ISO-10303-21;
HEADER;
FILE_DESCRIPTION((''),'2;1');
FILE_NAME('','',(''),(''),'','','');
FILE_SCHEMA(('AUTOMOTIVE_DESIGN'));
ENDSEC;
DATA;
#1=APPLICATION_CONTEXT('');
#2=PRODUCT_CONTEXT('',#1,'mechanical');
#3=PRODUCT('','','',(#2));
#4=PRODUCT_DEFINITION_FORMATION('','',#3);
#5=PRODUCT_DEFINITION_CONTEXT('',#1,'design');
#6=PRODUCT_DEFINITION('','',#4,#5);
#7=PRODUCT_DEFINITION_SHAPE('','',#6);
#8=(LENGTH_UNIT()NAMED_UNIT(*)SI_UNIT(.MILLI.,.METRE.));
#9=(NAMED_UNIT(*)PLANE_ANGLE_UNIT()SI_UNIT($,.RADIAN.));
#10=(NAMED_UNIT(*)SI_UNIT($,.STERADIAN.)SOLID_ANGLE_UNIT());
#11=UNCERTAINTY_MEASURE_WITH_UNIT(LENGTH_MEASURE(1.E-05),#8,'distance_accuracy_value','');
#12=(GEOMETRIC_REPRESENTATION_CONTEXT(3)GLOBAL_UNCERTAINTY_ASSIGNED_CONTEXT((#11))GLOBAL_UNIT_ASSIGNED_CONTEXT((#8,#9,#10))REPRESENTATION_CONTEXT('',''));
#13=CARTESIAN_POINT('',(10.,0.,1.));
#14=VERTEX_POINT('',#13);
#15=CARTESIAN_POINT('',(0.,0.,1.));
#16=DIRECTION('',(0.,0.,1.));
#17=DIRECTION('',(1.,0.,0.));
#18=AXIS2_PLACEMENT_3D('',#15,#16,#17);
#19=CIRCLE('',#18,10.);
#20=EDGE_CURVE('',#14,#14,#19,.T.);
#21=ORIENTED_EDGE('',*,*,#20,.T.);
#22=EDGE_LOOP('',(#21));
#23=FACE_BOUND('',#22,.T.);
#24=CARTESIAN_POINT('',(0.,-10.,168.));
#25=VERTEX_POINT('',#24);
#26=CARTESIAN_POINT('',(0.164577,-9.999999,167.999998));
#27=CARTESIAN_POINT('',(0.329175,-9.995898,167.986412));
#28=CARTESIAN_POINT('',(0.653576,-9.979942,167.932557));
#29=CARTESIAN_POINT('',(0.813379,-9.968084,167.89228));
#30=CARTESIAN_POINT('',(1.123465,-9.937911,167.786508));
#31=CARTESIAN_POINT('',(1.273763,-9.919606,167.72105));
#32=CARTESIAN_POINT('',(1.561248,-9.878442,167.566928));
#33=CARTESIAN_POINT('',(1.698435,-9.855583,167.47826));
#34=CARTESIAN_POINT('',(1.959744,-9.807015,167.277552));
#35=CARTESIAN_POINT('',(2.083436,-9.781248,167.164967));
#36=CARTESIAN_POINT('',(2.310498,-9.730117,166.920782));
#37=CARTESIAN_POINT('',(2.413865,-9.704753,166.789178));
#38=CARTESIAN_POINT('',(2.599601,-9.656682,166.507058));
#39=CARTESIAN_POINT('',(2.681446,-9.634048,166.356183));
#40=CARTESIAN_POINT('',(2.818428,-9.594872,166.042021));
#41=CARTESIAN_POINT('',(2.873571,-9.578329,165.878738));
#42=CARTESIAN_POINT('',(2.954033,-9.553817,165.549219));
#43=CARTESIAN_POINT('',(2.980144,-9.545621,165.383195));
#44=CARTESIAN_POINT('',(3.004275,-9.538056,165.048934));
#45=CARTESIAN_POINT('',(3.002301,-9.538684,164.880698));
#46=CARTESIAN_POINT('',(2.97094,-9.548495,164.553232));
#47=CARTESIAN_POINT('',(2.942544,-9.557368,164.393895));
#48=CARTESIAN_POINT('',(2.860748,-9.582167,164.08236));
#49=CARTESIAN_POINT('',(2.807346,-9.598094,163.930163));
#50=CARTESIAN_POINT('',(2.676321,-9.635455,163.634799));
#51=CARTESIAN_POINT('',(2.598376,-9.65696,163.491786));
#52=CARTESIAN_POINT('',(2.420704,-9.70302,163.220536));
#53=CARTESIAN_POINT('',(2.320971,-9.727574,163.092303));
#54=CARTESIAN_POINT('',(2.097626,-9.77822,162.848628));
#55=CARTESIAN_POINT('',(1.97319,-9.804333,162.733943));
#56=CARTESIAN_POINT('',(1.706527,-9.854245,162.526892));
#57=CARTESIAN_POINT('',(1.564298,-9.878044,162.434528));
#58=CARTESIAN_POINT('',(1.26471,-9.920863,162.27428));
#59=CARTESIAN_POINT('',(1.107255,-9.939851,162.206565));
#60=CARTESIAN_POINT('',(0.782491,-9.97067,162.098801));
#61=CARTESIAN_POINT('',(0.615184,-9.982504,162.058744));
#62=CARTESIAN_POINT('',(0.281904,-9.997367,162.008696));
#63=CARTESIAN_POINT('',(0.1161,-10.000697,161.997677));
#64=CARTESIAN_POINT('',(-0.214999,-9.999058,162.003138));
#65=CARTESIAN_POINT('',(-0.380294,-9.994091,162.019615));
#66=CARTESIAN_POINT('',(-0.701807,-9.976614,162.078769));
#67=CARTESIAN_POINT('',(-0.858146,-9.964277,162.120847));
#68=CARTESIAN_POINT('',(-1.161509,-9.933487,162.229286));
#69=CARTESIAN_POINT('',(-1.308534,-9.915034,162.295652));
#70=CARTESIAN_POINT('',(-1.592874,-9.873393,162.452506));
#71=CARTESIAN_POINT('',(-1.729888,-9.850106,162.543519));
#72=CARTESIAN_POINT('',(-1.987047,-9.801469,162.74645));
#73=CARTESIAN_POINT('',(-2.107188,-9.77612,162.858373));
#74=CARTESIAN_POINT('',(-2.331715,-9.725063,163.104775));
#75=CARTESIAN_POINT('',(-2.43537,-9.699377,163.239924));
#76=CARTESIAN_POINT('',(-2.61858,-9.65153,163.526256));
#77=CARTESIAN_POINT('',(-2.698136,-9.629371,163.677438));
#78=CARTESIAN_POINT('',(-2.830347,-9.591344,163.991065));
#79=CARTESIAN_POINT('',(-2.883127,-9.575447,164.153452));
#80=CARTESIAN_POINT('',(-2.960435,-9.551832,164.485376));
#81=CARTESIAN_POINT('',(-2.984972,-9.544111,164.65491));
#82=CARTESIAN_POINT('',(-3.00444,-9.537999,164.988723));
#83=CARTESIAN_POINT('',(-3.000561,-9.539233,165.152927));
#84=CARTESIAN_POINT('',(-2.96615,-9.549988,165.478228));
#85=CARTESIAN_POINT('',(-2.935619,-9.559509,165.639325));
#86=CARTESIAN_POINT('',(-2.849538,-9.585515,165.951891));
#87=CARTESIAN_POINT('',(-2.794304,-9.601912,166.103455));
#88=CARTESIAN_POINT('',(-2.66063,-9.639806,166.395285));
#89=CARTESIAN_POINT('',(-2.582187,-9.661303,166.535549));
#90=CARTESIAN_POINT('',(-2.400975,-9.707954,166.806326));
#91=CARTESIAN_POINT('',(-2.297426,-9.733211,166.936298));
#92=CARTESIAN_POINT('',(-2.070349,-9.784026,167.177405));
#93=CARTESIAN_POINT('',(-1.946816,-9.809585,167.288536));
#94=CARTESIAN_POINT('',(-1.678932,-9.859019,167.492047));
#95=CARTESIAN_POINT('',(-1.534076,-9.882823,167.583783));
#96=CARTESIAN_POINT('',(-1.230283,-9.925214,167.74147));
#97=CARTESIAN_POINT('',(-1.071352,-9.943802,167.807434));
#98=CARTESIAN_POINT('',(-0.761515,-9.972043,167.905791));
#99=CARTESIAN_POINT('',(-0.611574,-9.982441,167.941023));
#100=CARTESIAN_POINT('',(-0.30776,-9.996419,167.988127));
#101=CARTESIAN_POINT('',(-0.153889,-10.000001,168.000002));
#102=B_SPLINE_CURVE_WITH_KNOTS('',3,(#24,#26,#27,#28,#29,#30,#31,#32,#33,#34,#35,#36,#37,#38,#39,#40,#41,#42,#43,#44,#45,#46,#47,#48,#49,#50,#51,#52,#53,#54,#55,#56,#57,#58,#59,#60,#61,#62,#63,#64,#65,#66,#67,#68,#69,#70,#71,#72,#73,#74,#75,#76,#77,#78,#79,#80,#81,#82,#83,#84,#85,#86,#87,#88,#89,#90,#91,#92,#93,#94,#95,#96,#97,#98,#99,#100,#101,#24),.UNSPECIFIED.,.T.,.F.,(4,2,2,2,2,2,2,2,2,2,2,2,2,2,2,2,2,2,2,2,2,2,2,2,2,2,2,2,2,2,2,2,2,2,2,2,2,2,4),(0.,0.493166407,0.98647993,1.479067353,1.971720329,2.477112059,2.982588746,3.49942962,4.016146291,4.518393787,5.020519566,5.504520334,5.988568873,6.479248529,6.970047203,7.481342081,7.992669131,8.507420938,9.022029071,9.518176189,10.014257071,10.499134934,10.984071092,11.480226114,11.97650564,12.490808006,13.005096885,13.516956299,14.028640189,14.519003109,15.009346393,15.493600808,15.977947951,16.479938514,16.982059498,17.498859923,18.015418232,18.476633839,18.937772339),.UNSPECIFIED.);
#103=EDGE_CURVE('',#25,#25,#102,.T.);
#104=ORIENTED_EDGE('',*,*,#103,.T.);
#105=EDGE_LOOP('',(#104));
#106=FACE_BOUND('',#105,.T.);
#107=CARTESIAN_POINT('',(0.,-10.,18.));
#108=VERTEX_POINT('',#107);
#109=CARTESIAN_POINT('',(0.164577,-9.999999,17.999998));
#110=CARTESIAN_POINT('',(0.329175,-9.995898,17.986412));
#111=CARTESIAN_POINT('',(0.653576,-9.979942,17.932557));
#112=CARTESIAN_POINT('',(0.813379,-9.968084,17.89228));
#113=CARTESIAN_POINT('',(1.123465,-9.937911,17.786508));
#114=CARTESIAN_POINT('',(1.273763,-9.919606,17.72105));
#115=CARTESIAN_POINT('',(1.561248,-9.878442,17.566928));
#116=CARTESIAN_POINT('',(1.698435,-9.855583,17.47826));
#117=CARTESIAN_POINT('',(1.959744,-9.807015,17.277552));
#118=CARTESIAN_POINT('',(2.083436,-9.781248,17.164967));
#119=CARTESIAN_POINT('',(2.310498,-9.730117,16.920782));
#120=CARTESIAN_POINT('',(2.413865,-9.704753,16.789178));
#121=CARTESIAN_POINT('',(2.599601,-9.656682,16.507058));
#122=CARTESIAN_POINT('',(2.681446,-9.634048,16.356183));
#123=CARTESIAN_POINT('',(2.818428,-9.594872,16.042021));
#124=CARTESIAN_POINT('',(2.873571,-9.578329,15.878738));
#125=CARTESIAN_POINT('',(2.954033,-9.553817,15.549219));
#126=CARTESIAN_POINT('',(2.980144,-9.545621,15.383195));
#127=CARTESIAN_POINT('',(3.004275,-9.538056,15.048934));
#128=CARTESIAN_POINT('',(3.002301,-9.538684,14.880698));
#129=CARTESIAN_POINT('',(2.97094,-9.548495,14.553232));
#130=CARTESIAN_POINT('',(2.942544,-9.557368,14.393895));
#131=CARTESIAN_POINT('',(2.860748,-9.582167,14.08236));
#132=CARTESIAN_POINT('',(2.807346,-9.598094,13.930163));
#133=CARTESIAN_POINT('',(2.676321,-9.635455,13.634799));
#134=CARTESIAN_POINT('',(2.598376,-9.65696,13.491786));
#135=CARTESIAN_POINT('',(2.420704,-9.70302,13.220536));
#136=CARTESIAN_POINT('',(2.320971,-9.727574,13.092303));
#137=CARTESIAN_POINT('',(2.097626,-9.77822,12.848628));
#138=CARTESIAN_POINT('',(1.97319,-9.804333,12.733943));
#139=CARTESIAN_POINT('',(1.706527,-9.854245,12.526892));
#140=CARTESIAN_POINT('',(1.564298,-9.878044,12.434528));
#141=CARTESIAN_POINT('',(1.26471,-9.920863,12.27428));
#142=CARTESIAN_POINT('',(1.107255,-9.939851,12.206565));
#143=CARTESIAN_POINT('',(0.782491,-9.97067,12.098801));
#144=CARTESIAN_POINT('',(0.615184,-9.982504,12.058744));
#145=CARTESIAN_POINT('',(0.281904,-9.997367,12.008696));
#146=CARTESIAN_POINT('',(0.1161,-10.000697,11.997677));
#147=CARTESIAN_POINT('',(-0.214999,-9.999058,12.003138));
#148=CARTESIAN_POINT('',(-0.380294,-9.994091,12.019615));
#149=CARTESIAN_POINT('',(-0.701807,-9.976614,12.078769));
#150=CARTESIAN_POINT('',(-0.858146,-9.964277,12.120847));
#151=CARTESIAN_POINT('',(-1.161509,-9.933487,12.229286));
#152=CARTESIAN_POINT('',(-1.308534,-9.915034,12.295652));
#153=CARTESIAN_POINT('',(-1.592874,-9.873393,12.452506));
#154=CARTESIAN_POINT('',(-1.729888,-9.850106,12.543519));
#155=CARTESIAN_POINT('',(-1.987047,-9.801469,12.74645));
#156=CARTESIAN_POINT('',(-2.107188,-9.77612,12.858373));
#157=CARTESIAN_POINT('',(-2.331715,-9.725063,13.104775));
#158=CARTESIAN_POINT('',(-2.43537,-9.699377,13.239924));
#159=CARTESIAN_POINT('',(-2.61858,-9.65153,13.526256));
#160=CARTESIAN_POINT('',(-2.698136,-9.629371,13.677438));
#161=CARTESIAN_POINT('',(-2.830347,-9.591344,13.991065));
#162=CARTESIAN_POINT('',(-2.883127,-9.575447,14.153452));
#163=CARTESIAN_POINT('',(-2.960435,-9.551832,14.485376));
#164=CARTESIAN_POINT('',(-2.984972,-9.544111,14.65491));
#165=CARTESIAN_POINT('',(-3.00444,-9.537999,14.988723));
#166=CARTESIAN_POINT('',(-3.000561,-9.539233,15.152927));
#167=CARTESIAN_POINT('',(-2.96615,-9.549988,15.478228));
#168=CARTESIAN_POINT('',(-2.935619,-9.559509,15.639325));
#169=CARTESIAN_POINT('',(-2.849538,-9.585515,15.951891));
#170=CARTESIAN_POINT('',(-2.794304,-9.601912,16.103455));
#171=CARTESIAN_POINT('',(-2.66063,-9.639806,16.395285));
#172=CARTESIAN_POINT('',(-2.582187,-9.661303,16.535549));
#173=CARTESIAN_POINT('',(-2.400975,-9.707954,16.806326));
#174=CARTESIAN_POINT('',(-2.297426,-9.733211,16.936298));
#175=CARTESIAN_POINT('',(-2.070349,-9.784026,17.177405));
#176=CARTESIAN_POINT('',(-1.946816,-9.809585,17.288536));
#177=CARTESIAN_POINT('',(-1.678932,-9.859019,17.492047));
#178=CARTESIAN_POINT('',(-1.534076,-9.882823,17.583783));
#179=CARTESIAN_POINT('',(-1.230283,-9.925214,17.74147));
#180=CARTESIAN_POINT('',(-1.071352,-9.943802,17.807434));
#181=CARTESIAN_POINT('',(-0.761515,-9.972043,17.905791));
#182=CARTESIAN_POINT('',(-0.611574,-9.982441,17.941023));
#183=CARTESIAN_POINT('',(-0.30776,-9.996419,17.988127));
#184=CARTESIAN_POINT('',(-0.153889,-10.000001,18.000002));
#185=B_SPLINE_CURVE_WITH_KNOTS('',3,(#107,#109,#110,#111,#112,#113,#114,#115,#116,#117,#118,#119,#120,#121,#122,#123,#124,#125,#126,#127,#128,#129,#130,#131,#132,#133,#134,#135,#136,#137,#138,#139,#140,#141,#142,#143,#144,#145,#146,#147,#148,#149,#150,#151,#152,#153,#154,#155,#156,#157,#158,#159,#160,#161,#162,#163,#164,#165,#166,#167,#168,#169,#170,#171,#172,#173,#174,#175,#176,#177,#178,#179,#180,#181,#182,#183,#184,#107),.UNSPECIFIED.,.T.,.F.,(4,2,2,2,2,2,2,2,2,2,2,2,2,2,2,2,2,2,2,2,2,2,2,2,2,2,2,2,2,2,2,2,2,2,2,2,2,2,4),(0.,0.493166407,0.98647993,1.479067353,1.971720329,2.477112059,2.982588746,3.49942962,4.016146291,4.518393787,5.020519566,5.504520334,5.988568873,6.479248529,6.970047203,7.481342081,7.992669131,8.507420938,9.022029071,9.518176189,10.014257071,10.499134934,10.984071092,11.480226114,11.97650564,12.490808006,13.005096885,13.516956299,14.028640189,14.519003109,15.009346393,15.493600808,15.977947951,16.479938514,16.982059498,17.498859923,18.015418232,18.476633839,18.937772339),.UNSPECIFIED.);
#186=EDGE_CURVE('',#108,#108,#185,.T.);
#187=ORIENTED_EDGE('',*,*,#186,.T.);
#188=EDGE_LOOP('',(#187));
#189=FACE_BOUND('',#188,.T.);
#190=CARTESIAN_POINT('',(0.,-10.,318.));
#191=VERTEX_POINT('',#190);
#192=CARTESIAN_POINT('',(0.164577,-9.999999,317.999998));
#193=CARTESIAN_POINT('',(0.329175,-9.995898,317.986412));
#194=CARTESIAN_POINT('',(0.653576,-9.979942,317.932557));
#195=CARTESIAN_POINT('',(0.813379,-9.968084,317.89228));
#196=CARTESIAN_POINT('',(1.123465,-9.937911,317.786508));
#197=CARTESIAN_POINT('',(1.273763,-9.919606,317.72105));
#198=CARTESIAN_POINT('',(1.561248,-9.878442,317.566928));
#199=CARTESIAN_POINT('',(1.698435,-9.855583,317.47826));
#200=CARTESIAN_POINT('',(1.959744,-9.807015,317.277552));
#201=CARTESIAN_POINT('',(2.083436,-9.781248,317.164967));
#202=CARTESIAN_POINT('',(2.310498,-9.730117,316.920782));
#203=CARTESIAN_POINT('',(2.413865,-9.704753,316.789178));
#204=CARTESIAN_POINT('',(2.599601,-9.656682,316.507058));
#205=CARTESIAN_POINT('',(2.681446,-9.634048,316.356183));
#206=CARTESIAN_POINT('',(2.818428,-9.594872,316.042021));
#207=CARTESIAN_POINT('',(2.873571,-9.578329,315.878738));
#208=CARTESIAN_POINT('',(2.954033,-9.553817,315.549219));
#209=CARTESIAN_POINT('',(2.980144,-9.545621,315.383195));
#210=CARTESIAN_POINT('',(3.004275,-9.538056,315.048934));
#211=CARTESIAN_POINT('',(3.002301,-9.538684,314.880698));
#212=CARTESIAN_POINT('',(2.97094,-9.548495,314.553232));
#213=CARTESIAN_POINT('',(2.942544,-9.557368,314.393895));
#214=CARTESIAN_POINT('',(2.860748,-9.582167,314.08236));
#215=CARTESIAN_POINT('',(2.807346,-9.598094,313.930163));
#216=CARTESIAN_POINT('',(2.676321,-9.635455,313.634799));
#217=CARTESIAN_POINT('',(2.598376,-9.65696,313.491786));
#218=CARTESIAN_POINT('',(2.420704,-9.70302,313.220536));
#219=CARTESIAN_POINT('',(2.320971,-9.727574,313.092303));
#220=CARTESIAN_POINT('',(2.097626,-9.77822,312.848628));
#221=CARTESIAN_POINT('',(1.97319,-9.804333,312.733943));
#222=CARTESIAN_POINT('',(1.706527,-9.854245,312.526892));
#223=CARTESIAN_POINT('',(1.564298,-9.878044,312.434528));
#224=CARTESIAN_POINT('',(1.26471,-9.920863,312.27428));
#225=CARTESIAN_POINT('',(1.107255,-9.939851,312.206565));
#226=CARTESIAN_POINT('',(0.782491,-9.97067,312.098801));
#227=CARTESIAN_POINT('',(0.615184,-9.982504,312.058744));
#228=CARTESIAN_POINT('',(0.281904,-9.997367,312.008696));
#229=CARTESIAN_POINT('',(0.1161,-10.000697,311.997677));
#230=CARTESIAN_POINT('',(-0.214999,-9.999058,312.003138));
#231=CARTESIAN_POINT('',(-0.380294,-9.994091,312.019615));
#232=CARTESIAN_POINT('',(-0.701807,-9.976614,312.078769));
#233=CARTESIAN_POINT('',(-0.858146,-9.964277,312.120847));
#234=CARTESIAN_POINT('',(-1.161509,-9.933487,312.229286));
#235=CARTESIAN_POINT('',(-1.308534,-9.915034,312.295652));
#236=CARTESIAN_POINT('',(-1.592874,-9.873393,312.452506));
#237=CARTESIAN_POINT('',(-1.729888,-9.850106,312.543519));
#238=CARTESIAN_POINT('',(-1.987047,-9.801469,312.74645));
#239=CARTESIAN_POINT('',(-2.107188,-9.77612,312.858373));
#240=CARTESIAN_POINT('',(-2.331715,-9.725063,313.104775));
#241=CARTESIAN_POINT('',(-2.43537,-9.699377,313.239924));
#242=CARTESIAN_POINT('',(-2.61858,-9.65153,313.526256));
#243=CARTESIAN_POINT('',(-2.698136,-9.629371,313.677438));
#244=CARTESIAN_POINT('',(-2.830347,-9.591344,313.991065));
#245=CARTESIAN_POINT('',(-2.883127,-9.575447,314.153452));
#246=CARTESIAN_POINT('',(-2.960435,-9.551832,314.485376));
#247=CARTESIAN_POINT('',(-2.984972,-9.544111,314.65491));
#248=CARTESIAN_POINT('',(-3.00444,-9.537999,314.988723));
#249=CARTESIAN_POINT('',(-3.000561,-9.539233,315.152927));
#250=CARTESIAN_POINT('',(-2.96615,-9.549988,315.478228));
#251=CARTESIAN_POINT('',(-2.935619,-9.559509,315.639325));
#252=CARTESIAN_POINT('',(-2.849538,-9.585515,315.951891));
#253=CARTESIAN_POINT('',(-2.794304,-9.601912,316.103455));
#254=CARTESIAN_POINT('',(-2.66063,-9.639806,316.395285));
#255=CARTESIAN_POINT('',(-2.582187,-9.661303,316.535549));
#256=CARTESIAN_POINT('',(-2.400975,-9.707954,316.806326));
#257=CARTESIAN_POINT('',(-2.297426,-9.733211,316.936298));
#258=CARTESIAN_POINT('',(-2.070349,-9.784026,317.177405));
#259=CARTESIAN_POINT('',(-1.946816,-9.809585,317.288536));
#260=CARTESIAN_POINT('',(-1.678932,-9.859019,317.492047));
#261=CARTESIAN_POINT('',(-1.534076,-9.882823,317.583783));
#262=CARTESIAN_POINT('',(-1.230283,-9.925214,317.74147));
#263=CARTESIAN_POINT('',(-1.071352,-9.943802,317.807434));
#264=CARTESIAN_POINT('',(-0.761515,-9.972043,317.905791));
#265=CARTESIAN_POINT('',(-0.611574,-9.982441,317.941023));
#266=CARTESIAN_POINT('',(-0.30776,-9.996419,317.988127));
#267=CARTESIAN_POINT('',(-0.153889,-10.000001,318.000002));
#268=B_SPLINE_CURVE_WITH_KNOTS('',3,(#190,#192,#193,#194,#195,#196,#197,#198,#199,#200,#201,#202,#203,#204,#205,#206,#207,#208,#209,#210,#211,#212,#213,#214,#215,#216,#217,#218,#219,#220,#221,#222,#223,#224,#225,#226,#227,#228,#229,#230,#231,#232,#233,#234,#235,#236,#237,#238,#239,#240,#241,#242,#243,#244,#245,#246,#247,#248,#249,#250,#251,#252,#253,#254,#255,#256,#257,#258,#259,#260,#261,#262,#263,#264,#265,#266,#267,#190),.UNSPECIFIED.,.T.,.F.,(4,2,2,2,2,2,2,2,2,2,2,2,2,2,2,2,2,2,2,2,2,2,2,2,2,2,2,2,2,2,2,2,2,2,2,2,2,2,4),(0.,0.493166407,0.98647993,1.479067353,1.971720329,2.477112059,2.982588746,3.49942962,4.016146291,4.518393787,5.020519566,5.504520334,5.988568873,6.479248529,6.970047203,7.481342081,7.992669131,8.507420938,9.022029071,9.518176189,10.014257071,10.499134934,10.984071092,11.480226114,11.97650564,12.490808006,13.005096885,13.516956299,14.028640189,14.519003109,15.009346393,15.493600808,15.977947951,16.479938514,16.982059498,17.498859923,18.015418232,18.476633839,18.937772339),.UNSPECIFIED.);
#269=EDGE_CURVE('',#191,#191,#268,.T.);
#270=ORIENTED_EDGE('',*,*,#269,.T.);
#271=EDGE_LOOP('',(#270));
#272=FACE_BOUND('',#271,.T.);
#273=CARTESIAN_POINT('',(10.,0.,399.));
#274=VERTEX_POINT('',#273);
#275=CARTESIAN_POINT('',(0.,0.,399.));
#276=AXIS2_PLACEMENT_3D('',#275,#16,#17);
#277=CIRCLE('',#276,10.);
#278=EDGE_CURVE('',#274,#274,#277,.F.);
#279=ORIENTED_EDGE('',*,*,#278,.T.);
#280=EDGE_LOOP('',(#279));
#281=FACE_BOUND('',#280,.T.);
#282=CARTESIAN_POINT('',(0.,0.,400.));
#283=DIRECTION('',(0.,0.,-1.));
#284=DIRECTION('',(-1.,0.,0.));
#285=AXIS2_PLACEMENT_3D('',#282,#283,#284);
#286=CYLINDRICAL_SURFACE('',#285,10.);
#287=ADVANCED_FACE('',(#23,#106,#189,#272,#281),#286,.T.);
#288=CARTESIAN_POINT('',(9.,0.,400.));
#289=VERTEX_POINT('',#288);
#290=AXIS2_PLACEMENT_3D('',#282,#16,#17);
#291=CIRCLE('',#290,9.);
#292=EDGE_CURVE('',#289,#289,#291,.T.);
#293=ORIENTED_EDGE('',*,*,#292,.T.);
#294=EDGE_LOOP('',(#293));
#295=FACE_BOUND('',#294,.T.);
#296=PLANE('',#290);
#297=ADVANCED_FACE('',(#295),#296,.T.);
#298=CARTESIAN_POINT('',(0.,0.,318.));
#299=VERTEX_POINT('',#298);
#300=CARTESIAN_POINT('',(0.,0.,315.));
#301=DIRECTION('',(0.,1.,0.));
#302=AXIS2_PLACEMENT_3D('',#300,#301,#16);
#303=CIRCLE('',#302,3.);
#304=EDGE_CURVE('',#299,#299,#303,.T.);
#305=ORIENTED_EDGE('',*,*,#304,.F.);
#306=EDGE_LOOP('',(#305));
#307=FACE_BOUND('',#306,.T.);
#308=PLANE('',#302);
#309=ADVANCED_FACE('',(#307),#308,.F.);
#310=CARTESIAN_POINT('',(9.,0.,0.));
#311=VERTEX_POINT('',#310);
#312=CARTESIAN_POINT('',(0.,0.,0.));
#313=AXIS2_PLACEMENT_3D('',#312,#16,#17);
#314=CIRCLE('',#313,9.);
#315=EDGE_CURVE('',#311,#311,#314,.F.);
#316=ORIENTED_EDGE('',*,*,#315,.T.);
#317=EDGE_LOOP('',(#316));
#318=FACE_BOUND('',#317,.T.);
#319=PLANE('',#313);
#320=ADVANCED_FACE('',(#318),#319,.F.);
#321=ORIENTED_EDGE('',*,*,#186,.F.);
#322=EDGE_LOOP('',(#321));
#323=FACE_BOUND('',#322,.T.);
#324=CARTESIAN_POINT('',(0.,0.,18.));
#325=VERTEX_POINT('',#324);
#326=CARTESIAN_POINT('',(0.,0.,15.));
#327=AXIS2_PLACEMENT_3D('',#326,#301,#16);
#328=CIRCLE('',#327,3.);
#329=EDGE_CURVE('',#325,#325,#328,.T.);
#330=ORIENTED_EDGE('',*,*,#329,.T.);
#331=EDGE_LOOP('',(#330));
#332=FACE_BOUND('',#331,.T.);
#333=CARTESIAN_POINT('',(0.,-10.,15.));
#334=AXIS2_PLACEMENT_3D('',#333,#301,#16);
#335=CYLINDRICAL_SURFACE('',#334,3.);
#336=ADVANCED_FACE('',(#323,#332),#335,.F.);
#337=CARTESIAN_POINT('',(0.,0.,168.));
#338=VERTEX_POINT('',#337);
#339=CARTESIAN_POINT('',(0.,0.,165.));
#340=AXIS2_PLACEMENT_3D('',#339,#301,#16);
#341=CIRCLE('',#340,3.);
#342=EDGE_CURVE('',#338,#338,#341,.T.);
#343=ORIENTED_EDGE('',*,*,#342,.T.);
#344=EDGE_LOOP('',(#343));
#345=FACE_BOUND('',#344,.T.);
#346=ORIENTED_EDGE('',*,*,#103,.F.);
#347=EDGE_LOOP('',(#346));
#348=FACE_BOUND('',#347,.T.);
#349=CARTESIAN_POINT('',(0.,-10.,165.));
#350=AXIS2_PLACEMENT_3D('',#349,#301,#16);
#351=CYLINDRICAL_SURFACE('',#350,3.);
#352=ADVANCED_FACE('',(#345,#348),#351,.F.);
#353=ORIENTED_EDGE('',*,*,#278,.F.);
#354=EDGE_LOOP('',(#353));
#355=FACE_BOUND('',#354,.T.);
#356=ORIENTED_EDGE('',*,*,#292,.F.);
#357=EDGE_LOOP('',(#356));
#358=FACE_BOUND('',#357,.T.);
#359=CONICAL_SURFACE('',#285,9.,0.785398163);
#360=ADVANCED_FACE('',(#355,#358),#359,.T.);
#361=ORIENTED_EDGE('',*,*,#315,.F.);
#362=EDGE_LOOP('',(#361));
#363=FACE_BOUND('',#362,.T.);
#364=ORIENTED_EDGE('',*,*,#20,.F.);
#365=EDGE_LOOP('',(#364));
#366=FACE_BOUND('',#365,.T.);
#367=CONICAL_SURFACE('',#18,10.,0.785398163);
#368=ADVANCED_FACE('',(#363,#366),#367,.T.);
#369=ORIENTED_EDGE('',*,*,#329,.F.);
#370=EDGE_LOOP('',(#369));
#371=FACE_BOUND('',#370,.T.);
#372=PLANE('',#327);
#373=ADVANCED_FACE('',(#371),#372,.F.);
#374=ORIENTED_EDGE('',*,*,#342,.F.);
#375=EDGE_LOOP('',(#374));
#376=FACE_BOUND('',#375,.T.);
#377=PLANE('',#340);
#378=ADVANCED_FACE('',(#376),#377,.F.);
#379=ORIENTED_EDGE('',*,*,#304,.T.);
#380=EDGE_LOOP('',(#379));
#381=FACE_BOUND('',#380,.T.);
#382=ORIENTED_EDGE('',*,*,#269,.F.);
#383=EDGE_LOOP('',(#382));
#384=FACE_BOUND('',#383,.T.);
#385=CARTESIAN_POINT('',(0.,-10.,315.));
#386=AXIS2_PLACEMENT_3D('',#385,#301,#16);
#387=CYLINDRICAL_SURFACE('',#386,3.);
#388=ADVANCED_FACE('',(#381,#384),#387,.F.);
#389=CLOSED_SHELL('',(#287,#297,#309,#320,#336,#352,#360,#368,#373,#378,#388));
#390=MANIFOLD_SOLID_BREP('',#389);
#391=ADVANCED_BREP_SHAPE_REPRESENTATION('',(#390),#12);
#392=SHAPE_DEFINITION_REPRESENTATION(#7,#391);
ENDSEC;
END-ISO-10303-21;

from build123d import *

# Parameters (mm, degrees)
SKETCH1_R           = 10
BOSS_EXTRUDE1_DEPTH = 400
CHAMFER1_SIZE       = 1
SKETCH2_R           = 3
CUT_EXTRUDE1_DEPTH  = 10
LPATTERN1_COUNT     = 3
LPATTERN1_PITCH     = 150


with BuildPart() as part:
    # Sketch1 → Boss-Extrude1 (new body)
    with BuildSketch(Plane.XY):
        Circle(SKETCH1_R)
    extrude(amount=BOSS_EXTRUDE1_DEPTH)

    # Chamfer1
    chamfer1_edges = [part.edges().sort_by_distance(p)[0] for p in [
        (-10, 0, 0),
        (-10, 0, 400),
    ]]
    chamfer(chamfer1_edges, length=CHAMFER1_SIZE)

    # Sketch2 → Cut-Extrude1 (cut)
    with BuildSketch(Plane(origin=(0, 0, 0), x_dir=(1, 0, 0), z_dir=(0, 1, 0))):
        with Locations((0, -15)):
            Circle(SKETCH2_R)
    cut_extrude1 = extrude(amount=-CUT_EXTRUDE1_DEPTH, mode=Mode.SUBTRACT)

    # LPattern1: Cut-Extrude1 ×3
    with Locations(*[(0, 0, i * LPATTERN1_PITCH) for i in range(1, LPATTERN1_COUNT)]):
        add(cut_extrude1, mode=Mode.SUBTRACT)


solid = part.part
